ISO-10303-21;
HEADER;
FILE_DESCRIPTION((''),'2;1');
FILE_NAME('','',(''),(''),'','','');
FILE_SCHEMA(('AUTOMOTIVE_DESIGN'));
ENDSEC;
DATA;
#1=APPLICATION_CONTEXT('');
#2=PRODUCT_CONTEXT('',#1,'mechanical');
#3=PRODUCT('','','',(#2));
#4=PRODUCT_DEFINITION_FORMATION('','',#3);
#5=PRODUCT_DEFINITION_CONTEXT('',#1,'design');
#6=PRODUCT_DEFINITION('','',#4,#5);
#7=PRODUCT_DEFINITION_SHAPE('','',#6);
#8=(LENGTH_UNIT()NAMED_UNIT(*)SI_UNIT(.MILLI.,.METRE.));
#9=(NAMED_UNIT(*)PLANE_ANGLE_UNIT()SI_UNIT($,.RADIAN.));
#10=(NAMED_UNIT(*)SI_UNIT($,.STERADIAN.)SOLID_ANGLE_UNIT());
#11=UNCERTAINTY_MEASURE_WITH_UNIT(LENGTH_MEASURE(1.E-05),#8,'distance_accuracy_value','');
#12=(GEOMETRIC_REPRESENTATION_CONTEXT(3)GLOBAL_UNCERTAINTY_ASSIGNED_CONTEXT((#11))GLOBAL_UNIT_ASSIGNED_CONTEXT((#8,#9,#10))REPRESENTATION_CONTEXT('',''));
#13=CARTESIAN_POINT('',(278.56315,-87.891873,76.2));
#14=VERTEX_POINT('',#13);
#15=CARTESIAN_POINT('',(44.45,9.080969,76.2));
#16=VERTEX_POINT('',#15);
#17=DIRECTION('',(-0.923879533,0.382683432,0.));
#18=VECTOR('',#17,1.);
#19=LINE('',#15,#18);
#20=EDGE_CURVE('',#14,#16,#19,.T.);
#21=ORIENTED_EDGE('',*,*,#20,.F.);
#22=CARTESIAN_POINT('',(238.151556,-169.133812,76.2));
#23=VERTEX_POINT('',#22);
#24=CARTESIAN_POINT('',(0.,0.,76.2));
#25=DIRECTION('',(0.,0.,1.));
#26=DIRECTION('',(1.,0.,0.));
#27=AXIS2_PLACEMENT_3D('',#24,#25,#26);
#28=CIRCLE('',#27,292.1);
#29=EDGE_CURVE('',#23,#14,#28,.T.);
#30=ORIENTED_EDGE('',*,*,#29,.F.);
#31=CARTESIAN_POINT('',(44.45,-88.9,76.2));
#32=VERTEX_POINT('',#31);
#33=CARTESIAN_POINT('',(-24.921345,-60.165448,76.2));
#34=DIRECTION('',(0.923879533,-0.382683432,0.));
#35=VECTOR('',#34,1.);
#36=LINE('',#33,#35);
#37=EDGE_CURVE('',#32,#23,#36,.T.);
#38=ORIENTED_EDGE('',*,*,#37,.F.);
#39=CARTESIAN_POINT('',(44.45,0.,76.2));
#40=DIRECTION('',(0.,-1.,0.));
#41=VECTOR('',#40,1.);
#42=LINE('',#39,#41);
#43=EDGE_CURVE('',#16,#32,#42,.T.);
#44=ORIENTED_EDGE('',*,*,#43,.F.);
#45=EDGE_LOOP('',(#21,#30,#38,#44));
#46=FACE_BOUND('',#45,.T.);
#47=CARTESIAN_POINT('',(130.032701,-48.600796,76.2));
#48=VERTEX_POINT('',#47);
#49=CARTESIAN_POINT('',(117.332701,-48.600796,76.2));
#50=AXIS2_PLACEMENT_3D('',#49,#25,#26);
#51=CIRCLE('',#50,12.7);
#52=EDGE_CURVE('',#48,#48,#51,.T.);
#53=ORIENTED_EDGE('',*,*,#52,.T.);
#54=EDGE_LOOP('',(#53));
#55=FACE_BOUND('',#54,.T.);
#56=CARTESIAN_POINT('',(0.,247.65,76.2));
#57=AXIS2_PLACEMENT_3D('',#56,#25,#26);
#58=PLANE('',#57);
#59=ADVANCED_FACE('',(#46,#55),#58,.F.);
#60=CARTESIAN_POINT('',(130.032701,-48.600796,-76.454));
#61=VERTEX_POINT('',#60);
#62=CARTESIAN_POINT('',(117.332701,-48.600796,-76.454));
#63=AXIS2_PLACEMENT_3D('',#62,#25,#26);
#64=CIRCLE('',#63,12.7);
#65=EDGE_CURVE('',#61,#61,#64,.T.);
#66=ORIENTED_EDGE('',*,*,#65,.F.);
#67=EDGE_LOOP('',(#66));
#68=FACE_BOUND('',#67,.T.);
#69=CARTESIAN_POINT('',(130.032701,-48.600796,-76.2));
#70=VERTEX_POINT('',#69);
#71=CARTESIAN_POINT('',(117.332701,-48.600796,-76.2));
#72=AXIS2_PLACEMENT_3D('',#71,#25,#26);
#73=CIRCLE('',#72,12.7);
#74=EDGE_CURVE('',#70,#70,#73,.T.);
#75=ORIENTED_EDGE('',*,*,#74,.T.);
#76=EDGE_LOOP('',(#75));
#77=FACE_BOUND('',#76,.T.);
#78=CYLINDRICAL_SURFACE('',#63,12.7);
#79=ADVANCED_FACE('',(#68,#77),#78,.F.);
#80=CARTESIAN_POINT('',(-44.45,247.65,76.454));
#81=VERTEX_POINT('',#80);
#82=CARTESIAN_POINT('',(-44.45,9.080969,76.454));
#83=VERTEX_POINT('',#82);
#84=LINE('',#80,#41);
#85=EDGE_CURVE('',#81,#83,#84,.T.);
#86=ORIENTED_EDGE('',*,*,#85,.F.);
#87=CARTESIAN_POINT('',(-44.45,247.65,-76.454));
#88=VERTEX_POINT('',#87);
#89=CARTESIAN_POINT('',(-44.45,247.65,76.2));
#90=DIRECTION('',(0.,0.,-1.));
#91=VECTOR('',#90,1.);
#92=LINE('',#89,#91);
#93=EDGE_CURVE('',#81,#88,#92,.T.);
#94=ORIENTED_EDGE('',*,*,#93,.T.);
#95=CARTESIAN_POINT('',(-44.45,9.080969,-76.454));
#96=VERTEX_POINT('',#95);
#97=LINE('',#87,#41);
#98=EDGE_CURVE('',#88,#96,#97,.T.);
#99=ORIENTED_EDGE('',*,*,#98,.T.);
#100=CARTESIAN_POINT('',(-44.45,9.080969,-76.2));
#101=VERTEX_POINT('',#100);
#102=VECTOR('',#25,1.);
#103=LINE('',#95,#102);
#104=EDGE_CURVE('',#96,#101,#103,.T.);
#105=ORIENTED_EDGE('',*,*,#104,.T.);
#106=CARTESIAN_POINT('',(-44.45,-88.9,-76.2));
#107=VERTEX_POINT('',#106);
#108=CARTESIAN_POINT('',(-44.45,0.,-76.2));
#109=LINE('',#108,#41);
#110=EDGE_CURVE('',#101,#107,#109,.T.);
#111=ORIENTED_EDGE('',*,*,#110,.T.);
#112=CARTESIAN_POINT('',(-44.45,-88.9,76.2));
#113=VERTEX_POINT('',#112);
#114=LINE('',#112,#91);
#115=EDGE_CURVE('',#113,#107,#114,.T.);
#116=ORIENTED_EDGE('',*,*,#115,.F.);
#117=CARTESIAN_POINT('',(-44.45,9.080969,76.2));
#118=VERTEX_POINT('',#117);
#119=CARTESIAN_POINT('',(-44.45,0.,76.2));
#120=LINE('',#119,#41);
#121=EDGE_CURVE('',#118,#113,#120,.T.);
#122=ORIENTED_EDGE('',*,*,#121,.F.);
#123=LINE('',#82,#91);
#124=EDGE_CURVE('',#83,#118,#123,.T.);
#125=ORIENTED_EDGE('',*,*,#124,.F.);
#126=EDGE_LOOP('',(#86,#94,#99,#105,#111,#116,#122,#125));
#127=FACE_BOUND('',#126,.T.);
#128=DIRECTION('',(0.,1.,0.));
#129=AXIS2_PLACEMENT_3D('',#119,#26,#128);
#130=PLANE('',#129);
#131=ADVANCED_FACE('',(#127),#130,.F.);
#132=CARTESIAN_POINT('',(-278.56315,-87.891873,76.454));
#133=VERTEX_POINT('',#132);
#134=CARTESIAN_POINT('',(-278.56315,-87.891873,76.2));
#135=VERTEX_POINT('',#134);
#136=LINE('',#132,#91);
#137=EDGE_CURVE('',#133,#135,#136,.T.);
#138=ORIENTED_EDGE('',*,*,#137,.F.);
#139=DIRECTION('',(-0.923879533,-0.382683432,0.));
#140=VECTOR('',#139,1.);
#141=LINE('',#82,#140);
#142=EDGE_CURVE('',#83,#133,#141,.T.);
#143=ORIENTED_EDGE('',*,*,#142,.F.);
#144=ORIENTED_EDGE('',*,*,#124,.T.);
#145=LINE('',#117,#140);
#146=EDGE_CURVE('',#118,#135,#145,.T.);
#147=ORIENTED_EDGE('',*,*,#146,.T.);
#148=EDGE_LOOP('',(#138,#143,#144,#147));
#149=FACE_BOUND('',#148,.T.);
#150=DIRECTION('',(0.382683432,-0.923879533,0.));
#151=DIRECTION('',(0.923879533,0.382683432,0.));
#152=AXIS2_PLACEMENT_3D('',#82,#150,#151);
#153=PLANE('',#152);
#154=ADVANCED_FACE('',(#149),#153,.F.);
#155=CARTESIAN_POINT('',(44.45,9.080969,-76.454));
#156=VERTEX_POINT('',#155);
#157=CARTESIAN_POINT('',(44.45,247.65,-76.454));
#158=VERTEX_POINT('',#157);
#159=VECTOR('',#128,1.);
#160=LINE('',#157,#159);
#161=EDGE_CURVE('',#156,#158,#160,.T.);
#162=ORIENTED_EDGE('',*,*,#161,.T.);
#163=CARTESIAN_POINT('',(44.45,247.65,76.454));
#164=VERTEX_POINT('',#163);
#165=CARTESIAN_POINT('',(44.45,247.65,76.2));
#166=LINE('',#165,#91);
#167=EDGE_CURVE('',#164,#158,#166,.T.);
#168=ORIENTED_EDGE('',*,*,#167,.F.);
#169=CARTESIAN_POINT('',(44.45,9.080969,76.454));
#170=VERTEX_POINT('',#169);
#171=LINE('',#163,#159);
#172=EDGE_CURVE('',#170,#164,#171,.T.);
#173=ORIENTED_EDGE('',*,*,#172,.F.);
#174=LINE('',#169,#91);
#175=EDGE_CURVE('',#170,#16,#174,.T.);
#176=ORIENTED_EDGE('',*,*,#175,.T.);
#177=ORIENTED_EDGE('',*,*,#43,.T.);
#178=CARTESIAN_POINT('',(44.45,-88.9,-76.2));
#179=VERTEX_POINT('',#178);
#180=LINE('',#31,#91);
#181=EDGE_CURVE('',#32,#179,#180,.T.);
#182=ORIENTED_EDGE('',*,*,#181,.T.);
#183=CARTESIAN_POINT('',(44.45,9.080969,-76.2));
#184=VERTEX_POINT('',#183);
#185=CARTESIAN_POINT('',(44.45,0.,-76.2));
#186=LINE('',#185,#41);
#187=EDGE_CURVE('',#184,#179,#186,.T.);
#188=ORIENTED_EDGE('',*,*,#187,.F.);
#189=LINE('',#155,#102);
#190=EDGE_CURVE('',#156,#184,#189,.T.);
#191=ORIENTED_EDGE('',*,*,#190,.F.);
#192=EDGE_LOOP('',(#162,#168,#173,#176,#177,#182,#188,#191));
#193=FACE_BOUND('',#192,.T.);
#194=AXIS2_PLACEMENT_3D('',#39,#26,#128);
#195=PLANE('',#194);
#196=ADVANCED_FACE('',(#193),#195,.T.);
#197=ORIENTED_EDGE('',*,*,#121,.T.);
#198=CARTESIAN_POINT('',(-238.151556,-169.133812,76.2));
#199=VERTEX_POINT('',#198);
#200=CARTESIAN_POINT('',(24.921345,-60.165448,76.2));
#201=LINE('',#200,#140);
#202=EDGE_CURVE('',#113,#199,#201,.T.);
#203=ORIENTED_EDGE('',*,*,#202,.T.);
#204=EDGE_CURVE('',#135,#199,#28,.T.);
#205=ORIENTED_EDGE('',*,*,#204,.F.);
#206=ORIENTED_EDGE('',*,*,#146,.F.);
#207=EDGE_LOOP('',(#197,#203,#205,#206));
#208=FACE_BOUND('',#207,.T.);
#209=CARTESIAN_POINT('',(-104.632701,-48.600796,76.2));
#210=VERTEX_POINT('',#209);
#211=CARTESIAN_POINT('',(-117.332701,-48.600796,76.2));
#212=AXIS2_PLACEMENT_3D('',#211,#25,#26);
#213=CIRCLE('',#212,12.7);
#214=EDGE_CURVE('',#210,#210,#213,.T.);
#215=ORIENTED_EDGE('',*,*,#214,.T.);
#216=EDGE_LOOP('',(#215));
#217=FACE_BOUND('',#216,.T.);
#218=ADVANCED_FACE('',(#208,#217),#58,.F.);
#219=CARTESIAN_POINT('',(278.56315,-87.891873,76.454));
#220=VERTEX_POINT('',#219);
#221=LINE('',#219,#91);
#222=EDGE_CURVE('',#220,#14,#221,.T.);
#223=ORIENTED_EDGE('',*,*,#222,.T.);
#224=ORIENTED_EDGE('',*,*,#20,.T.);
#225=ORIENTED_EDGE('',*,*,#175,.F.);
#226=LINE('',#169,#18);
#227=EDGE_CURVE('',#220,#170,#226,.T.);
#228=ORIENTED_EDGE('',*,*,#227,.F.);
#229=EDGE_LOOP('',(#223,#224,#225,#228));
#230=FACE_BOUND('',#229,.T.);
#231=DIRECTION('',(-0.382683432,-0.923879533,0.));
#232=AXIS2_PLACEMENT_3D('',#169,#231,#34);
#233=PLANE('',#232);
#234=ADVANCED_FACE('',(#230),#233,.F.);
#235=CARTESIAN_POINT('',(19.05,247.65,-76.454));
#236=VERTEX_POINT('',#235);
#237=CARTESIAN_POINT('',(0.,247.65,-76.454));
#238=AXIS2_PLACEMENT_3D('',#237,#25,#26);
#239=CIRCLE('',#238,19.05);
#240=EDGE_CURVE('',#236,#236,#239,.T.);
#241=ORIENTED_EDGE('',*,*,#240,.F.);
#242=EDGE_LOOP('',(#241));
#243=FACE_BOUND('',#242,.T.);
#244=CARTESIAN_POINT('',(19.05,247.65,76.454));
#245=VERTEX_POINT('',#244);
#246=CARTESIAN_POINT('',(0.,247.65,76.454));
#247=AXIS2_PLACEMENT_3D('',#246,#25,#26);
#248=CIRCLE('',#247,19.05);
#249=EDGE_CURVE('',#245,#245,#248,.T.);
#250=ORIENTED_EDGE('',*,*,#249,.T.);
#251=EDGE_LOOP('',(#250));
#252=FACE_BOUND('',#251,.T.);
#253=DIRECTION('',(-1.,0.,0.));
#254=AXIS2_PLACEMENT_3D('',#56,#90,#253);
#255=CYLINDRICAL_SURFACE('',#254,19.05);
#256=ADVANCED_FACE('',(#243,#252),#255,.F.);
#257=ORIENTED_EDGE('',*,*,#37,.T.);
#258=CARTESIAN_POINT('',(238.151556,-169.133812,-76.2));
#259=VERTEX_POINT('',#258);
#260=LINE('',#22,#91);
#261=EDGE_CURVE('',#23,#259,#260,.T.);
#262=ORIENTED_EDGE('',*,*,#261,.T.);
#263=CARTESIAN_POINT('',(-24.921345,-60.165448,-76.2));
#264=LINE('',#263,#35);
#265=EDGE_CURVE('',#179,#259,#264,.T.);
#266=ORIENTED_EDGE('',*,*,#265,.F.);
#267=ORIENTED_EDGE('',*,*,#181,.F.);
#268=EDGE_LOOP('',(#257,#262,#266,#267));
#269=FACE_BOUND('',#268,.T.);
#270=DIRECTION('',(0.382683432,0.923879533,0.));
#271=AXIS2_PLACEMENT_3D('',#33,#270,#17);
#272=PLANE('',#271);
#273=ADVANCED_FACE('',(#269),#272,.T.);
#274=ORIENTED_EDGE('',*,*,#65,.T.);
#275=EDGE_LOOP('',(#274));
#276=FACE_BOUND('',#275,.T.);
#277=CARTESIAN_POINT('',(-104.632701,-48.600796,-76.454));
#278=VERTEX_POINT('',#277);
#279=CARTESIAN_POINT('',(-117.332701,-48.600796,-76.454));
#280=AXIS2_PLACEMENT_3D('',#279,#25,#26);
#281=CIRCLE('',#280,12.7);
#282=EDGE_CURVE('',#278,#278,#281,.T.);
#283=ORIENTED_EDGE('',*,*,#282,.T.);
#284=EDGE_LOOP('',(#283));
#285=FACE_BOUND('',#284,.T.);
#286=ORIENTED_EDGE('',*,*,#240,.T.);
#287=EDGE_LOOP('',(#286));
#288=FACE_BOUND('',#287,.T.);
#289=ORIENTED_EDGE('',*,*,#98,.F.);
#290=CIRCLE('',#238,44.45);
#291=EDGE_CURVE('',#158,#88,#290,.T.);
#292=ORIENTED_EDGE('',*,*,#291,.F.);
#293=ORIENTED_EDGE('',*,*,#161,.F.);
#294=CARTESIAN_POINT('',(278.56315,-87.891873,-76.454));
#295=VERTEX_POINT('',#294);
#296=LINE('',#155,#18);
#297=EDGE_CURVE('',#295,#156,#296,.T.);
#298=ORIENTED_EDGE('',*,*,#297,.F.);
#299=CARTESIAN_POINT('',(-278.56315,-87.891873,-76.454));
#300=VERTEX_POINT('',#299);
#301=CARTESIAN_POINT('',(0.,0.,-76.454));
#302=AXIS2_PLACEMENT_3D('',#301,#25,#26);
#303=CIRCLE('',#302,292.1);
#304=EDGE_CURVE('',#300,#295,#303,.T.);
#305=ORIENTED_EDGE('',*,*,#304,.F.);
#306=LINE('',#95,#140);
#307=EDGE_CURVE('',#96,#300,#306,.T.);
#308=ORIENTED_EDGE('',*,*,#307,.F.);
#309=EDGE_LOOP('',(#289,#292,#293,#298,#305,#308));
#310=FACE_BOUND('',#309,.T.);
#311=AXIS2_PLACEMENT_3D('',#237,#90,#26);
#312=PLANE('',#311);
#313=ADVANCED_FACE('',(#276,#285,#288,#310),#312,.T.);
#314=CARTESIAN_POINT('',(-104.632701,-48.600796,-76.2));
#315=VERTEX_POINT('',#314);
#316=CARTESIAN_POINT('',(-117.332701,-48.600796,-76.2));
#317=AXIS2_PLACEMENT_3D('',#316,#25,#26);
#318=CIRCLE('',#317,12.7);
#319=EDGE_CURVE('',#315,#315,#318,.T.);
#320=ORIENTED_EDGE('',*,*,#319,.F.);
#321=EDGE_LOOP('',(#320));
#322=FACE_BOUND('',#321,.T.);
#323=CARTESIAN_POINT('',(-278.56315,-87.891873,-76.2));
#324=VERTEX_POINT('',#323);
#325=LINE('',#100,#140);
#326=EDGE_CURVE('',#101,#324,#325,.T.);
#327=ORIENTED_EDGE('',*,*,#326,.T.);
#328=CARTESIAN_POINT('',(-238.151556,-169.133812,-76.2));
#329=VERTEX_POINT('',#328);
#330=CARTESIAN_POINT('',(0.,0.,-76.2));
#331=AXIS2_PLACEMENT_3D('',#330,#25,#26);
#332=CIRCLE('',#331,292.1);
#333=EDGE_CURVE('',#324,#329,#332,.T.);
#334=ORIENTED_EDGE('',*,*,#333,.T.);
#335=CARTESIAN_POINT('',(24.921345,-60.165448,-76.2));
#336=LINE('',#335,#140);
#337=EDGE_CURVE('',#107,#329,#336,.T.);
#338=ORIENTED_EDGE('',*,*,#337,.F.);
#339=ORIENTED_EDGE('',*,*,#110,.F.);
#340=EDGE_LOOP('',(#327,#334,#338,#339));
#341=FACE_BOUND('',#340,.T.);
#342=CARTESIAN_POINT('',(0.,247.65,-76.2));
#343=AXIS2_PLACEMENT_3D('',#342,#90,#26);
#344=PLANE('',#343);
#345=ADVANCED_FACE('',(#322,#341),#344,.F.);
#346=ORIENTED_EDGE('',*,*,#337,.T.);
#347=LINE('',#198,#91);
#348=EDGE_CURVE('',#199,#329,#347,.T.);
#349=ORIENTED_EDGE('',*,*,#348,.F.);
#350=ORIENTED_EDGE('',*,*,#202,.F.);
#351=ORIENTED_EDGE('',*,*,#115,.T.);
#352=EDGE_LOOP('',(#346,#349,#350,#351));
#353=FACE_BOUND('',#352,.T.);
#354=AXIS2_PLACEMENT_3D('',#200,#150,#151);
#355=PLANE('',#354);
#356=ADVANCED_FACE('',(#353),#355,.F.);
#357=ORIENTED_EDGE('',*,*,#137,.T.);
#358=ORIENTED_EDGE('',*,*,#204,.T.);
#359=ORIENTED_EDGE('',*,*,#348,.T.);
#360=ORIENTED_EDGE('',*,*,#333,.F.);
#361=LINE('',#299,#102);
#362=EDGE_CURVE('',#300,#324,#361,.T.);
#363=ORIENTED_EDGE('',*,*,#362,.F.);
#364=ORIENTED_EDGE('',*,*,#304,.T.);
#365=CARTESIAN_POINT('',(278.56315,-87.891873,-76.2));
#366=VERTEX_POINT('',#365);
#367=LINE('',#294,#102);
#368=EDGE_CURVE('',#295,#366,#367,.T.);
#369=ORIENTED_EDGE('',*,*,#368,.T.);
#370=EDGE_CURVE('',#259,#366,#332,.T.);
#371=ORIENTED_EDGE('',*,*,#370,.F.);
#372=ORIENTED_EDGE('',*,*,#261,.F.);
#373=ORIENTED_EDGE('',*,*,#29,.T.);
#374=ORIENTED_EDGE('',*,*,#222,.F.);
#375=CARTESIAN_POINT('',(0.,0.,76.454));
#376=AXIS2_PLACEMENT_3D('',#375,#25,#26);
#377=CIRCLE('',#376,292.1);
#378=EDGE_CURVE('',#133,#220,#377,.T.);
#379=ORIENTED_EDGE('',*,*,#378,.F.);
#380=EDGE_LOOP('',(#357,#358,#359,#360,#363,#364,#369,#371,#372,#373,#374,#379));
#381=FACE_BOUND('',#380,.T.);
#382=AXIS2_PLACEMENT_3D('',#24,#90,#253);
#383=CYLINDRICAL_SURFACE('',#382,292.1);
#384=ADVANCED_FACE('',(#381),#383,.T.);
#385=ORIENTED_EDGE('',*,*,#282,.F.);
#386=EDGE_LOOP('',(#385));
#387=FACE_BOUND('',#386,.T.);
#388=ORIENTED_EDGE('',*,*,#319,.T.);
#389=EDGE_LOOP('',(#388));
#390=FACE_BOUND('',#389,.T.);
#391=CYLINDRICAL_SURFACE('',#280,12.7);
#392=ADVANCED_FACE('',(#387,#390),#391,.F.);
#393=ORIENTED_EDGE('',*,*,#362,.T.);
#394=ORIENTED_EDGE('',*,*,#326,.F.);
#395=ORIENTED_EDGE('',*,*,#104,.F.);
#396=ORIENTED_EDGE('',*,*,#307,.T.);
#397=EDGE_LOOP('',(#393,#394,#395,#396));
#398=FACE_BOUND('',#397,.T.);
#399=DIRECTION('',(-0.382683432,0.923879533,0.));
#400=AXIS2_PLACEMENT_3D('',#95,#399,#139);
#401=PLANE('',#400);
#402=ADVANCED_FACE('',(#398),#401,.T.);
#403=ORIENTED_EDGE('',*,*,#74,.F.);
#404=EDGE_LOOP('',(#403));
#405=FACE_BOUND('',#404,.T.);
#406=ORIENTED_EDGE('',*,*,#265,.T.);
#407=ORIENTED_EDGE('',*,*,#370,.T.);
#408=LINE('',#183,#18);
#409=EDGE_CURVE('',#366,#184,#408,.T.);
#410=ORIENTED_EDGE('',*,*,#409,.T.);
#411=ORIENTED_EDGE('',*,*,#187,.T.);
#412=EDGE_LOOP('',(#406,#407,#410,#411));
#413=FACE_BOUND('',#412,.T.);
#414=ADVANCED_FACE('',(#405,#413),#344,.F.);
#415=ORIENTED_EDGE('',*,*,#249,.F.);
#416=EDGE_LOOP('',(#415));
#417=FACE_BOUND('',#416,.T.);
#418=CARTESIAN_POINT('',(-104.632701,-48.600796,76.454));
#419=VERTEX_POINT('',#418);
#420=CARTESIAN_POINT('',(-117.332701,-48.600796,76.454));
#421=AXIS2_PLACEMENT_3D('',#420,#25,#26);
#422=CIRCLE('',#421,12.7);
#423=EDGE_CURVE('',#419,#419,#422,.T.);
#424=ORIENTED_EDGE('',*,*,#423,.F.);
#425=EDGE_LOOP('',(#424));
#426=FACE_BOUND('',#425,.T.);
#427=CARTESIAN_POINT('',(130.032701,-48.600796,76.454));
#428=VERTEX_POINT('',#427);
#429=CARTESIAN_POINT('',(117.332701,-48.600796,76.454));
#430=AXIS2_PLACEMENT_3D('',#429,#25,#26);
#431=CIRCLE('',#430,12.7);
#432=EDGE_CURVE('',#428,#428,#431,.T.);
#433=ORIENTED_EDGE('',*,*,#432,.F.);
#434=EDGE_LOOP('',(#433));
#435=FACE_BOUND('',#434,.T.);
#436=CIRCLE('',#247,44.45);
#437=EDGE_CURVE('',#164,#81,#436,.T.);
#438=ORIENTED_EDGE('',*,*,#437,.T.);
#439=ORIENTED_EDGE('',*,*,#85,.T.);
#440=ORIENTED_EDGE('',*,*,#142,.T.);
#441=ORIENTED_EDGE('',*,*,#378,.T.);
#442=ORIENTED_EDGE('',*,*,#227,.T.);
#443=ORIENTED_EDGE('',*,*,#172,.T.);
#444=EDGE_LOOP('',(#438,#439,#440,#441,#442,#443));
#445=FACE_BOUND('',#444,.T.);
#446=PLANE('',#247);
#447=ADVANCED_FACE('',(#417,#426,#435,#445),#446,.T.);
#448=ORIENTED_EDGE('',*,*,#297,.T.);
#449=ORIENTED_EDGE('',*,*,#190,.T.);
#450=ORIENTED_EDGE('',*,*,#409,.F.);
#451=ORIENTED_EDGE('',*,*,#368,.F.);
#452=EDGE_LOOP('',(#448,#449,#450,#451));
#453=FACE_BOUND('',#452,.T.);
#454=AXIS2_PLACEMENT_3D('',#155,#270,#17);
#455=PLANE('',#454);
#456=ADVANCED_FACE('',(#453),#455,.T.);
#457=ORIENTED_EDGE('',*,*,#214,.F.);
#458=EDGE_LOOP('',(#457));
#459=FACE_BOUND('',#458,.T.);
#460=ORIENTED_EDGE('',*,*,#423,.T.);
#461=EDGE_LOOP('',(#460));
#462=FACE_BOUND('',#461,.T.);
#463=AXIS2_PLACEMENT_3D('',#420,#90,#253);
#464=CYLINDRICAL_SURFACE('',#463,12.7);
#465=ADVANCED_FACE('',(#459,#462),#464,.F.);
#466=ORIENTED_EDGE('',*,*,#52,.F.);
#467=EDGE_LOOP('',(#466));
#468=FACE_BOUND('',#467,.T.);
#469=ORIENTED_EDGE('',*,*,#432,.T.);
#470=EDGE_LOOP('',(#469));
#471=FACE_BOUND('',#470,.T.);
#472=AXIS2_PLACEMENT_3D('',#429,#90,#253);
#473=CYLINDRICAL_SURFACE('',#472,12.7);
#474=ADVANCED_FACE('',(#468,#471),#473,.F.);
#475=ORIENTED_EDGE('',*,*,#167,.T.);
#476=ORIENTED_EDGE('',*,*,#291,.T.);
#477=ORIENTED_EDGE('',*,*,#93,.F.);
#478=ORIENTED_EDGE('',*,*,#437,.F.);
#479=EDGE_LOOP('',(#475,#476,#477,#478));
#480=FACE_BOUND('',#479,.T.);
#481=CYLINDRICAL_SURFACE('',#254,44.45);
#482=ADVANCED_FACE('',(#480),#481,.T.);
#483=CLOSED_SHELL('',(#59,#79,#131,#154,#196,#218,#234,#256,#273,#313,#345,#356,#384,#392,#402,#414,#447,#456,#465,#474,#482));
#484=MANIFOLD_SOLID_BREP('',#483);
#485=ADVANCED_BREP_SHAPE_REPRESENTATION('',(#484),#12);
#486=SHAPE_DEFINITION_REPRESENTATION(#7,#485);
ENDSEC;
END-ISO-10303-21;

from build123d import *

# Parameters (mm, degrees)
SKETCH1_R           = 19.05
BOSS_EXTRUDE2_DEPTH = 76.2
SKETCH3_R           = 12.7
SKETCH3_R_2         = 19.05
BOSS_EXTRUDE4_DEPTH = 0.254


with BuildPart() as part:
    # Sketch1 → Boss-Extrude2 (new body, symmetric)
    with BuildSketch(Plane.XY):
        with BuildLine():
            Line((-44.45, -88.9), (-238.151556269, -169.13381166))
            ThreePointArc((-238.151556269, -169.13381166), (0, -292.1), (238.151556269, -169.13381166))
            Line((238.151556269, -169.13381166), (44.45, -88.9))
            Line((44.45, -88.9), (44.45, 247.65))
            ThreePointArc((44.45, 247.65), (0, 292.1), (-44.45, 247.65))
            Line((-44.45, 247.65), (-44.45, -88.9))
        make_face()
        with Locations((0, 247.65)):
            Circle(SKETCH1_R, mode=Mode.SUBTRACT)
    extrude(amount=BOSS_EXTRUDE2_DEPTH, both=True)

    # Sketch3 → Boss-Extrude4 (add)
    with BuildSketch(Plane.XY.offset(76.2)):
        with BuildLine():
            Line((44.45, 247.65), (44.45, 9.08096904))
            Line((44.45, 9.08096904), (278.563150245, -87.891872921))
            ThreePointArc((278.563150245, -87.891872921), (0, -292.1), (-278.563150245, -87.891872921))
            Line((-278.563150245, -87.891872921), (-44.45, 9.08096904))
            Line((-44.45, 9.08096904), (-44.45, 247.65))
            ThreePointArc((-44.45, 247.65), (0, 292.1), (44.45, 247.65))
        make_face()
        with Locations((-117.332700629, -48.60079591)):
            Circle(SKETCH3_R, mode=Mode.SUBTRACT)
        with Locations((117.332700629, -48.60079591)):
            Circle(SKETCH3_R, mode=Mode.SUBTRACT)
        with Locations((0, 247.65)):
            Circle(SKETCH3_R_2, mode=Mode.SUBTRACT)
    boss_extrude4 = extrude(amount=BOSS_EXTRUDE4_DEPTH)

    # Mirror4: Boss-Extrude4 across plane
    add(boss_extrude4.mirror(Plane.XY))


solid = part.part
